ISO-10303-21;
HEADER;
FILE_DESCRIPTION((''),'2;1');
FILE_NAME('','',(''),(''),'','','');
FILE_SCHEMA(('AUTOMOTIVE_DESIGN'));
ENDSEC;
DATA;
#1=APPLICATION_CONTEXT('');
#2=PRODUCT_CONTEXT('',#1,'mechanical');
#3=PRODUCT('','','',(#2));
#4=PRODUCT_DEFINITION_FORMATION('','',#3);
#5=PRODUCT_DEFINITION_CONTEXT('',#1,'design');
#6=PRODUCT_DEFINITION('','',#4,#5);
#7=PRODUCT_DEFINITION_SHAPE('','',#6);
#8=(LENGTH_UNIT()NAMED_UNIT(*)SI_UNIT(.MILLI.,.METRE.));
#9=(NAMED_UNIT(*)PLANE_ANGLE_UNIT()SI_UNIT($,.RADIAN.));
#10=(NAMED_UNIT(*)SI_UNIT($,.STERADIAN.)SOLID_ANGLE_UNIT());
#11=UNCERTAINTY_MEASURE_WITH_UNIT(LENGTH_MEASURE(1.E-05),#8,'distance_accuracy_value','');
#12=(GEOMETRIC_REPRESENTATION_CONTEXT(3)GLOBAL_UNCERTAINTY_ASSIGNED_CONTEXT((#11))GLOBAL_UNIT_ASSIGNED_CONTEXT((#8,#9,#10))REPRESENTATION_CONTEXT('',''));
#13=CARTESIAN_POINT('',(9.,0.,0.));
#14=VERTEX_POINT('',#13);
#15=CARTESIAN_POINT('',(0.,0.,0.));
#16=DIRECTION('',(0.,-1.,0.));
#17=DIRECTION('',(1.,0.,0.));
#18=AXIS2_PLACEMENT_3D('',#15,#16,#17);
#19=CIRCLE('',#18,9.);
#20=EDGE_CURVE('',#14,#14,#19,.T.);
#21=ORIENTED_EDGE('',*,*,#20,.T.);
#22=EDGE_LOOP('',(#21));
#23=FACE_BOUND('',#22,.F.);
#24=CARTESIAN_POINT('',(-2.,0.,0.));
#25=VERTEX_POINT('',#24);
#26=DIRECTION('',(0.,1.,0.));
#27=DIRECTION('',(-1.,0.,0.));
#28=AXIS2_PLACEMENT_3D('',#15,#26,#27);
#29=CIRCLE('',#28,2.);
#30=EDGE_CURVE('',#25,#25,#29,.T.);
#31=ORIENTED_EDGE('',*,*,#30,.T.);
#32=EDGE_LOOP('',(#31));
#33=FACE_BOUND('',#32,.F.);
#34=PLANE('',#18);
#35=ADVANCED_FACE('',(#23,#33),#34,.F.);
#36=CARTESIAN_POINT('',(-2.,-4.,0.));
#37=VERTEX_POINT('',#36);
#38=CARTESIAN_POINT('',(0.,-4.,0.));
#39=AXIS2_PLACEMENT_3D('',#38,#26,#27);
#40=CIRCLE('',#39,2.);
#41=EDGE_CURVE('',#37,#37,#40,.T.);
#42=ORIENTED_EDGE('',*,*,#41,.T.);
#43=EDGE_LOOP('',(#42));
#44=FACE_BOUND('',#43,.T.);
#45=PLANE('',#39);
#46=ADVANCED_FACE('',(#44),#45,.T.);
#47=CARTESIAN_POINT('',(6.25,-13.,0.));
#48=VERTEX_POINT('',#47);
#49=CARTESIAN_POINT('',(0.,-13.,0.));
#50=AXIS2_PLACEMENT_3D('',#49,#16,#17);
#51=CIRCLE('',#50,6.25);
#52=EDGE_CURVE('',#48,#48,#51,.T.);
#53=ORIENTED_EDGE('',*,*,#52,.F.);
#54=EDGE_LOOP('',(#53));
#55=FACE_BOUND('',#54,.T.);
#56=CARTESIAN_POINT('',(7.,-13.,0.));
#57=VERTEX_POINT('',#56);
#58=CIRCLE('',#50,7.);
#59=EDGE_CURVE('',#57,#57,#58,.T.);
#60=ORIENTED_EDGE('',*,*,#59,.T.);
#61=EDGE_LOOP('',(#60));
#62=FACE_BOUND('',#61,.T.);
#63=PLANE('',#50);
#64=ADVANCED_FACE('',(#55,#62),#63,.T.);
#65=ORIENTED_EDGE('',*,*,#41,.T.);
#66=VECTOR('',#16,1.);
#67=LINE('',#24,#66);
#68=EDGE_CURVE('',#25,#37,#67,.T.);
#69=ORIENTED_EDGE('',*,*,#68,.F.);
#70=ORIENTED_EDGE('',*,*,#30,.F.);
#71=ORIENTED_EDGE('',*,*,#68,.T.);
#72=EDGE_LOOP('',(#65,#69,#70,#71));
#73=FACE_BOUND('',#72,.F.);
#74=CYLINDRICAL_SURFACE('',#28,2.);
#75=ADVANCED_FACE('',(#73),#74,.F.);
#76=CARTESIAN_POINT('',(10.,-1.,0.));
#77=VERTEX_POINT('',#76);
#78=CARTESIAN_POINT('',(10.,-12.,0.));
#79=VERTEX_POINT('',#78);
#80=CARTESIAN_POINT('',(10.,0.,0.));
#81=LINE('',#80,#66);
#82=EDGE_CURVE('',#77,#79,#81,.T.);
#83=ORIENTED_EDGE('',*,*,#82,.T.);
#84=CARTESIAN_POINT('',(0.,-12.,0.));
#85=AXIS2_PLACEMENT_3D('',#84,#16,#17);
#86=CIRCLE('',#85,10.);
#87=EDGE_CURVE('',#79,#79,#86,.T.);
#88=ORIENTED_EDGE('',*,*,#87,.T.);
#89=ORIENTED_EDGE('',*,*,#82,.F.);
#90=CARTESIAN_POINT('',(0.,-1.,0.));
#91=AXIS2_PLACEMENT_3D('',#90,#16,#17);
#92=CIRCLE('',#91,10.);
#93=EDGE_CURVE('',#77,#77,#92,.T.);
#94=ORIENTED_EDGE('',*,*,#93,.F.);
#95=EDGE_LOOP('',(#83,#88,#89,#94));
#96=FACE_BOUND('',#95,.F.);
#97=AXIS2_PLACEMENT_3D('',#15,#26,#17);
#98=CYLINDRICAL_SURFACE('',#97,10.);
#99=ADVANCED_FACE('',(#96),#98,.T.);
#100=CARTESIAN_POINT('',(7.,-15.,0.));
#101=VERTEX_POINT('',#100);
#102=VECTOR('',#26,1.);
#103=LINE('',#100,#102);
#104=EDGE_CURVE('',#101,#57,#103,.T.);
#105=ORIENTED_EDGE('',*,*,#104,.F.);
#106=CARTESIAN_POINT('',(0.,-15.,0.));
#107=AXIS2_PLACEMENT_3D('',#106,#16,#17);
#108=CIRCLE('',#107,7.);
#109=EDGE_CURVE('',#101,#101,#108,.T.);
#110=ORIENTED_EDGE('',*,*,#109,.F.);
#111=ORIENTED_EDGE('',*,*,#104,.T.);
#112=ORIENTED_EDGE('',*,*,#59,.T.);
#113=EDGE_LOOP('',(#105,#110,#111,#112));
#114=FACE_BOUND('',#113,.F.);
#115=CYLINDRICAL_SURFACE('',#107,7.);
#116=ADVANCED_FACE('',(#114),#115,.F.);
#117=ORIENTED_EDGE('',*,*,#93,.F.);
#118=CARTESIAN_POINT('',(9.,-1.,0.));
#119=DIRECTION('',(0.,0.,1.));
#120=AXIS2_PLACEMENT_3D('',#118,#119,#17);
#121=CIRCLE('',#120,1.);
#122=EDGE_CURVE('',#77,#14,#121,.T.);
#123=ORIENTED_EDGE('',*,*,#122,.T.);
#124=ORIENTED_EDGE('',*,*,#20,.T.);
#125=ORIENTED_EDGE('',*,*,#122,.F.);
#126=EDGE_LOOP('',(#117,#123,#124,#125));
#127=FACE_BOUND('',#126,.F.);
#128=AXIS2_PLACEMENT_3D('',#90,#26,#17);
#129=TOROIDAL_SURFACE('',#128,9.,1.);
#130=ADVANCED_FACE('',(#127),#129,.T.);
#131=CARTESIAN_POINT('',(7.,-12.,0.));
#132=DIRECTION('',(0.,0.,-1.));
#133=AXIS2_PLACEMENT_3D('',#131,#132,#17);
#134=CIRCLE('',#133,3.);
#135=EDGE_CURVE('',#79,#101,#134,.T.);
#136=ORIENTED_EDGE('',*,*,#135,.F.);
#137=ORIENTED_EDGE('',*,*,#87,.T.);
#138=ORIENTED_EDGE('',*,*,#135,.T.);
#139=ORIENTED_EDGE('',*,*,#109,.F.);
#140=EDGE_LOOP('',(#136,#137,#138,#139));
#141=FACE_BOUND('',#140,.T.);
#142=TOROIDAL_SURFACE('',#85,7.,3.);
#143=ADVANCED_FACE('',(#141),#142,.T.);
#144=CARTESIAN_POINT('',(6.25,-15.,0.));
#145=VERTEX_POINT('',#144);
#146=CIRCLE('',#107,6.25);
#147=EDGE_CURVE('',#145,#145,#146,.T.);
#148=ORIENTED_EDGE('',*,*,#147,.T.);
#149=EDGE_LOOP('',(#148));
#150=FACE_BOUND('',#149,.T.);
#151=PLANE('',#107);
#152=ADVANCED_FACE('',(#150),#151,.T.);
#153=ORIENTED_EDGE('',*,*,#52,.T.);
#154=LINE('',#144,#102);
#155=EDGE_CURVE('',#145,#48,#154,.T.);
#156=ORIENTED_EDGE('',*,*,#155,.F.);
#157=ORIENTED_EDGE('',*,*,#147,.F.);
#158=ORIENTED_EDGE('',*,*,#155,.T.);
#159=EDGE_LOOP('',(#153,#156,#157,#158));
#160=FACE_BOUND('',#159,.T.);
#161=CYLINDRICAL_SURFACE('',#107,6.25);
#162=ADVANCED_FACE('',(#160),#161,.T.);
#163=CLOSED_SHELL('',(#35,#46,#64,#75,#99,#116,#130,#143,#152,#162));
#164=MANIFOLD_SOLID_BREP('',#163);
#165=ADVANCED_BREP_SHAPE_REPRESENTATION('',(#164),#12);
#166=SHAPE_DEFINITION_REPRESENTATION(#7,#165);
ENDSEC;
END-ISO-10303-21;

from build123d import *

# Parameters (mm, degrees)
F0_R     = 10
F1_DEPTH = 15
F2_R     = 3
F3_R     = 1
F4_R     = 2
F5_DEPTH = 4
F6_R     = 7
F6_R_2   = 6.25
F8_DEPTH = 2


with BuildPart() as f1:
    # F0 (on Front) → F1 (new body)
    with BuildSketch(Plane.XZ):
        Circle(F0_R)
    extrude(amount=F1_DEPTH)

    # F2
    f2_edges = [f1.edges().sort_by_distance(p)[0] for p in [
        (-10, -15, 0),
    ]]
    fillet(f2_edges, radius=F2_R)

    # F3
    f3_edges = [f1.edges().sort_by_distance(p)[0] for p in [
        (-10, 0, 0),
    ]]
    fillet(f3_edges, radius=F3_R)

    # F4 (on face) → F5 (cut)
    with BuildSketch(Plane(origin=(0, 0, 0), x_dir=(-1, 0, 0), z_dir=(0, 1, 0))):
        Circle(F4_R)
    extrude(amount=-F5_DEPTH, mode=Mode.SUBTRACT)

    # F6 (on face) → F8 (cut)
    with BuildSketch(Plane.XZ.offset(15)):
        Circle(F6_R)
        Circle(F6_R_2, mode=Mode.SUBTRACT)
    extrude(amount=-F8_DEPTH, mode=Mode.SUBTRACT)


solid = f1.part
